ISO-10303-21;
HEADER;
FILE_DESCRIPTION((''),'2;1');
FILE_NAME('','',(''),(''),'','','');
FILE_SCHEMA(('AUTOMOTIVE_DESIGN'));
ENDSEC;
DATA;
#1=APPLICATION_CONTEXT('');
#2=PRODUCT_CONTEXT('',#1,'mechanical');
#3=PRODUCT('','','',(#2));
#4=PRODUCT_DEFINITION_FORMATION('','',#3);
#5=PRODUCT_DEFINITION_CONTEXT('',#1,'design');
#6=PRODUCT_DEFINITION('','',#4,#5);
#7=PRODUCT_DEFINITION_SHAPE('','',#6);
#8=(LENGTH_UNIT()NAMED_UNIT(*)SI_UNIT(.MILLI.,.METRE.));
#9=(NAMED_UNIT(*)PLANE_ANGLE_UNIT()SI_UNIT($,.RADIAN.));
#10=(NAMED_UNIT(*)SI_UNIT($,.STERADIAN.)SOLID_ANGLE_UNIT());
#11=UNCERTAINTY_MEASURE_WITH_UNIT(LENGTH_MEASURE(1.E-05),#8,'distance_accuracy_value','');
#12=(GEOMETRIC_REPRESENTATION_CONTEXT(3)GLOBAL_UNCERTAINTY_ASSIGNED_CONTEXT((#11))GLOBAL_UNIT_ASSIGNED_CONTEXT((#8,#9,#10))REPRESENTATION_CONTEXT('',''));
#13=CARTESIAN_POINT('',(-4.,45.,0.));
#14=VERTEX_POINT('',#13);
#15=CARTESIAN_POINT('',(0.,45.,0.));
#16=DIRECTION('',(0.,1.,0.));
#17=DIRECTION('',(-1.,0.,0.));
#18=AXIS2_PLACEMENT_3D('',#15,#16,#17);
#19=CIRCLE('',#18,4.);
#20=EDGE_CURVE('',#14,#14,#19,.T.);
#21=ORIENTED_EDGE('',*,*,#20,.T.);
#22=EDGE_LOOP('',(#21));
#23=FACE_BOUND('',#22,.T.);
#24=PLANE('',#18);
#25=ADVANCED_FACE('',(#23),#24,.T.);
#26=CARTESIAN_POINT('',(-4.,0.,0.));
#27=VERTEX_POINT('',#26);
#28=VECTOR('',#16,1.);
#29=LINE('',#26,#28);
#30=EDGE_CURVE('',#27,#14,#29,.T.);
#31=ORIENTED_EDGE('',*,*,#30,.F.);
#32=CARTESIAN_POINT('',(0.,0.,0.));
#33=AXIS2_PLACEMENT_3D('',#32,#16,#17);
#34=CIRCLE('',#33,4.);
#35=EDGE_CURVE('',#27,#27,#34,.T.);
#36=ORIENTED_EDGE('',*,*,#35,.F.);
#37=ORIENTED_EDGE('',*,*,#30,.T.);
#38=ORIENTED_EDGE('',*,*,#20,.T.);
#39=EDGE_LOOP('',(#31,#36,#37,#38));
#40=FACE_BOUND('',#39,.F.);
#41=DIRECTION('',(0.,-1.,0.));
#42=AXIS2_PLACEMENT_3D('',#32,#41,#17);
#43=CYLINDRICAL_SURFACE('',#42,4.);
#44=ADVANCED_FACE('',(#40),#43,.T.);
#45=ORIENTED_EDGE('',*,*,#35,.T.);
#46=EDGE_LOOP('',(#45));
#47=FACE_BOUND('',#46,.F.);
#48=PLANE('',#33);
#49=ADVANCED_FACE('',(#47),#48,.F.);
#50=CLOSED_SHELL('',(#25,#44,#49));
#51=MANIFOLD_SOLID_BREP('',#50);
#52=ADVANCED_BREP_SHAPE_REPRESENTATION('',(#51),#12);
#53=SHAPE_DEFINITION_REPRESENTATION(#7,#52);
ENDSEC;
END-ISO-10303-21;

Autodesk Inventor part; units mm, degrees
ref_plane "YZ Plane" through (0, 0, 0) normal (1, 0, 0) x (0, 1, 0)
ref_plane "XZ Plane" through (0, 0, 0) normal (0, 1, 0) x (-1, 0, 0)
ref_plane "XY Plane" through (0, 0, 0) normal (0, 0, 1) x (1, 0, 0)
sketch "Sketch1" plane through (0, 0, 0) normal (0, 1, 0) x (-1, 0, 0)
  circle A0 centre (0, 0) radius 4
  dimension "d0" = 8
extrude "Extrusion1" add sketch "Sketch1" along normal blind 45
properties part number "pin_8_45"
